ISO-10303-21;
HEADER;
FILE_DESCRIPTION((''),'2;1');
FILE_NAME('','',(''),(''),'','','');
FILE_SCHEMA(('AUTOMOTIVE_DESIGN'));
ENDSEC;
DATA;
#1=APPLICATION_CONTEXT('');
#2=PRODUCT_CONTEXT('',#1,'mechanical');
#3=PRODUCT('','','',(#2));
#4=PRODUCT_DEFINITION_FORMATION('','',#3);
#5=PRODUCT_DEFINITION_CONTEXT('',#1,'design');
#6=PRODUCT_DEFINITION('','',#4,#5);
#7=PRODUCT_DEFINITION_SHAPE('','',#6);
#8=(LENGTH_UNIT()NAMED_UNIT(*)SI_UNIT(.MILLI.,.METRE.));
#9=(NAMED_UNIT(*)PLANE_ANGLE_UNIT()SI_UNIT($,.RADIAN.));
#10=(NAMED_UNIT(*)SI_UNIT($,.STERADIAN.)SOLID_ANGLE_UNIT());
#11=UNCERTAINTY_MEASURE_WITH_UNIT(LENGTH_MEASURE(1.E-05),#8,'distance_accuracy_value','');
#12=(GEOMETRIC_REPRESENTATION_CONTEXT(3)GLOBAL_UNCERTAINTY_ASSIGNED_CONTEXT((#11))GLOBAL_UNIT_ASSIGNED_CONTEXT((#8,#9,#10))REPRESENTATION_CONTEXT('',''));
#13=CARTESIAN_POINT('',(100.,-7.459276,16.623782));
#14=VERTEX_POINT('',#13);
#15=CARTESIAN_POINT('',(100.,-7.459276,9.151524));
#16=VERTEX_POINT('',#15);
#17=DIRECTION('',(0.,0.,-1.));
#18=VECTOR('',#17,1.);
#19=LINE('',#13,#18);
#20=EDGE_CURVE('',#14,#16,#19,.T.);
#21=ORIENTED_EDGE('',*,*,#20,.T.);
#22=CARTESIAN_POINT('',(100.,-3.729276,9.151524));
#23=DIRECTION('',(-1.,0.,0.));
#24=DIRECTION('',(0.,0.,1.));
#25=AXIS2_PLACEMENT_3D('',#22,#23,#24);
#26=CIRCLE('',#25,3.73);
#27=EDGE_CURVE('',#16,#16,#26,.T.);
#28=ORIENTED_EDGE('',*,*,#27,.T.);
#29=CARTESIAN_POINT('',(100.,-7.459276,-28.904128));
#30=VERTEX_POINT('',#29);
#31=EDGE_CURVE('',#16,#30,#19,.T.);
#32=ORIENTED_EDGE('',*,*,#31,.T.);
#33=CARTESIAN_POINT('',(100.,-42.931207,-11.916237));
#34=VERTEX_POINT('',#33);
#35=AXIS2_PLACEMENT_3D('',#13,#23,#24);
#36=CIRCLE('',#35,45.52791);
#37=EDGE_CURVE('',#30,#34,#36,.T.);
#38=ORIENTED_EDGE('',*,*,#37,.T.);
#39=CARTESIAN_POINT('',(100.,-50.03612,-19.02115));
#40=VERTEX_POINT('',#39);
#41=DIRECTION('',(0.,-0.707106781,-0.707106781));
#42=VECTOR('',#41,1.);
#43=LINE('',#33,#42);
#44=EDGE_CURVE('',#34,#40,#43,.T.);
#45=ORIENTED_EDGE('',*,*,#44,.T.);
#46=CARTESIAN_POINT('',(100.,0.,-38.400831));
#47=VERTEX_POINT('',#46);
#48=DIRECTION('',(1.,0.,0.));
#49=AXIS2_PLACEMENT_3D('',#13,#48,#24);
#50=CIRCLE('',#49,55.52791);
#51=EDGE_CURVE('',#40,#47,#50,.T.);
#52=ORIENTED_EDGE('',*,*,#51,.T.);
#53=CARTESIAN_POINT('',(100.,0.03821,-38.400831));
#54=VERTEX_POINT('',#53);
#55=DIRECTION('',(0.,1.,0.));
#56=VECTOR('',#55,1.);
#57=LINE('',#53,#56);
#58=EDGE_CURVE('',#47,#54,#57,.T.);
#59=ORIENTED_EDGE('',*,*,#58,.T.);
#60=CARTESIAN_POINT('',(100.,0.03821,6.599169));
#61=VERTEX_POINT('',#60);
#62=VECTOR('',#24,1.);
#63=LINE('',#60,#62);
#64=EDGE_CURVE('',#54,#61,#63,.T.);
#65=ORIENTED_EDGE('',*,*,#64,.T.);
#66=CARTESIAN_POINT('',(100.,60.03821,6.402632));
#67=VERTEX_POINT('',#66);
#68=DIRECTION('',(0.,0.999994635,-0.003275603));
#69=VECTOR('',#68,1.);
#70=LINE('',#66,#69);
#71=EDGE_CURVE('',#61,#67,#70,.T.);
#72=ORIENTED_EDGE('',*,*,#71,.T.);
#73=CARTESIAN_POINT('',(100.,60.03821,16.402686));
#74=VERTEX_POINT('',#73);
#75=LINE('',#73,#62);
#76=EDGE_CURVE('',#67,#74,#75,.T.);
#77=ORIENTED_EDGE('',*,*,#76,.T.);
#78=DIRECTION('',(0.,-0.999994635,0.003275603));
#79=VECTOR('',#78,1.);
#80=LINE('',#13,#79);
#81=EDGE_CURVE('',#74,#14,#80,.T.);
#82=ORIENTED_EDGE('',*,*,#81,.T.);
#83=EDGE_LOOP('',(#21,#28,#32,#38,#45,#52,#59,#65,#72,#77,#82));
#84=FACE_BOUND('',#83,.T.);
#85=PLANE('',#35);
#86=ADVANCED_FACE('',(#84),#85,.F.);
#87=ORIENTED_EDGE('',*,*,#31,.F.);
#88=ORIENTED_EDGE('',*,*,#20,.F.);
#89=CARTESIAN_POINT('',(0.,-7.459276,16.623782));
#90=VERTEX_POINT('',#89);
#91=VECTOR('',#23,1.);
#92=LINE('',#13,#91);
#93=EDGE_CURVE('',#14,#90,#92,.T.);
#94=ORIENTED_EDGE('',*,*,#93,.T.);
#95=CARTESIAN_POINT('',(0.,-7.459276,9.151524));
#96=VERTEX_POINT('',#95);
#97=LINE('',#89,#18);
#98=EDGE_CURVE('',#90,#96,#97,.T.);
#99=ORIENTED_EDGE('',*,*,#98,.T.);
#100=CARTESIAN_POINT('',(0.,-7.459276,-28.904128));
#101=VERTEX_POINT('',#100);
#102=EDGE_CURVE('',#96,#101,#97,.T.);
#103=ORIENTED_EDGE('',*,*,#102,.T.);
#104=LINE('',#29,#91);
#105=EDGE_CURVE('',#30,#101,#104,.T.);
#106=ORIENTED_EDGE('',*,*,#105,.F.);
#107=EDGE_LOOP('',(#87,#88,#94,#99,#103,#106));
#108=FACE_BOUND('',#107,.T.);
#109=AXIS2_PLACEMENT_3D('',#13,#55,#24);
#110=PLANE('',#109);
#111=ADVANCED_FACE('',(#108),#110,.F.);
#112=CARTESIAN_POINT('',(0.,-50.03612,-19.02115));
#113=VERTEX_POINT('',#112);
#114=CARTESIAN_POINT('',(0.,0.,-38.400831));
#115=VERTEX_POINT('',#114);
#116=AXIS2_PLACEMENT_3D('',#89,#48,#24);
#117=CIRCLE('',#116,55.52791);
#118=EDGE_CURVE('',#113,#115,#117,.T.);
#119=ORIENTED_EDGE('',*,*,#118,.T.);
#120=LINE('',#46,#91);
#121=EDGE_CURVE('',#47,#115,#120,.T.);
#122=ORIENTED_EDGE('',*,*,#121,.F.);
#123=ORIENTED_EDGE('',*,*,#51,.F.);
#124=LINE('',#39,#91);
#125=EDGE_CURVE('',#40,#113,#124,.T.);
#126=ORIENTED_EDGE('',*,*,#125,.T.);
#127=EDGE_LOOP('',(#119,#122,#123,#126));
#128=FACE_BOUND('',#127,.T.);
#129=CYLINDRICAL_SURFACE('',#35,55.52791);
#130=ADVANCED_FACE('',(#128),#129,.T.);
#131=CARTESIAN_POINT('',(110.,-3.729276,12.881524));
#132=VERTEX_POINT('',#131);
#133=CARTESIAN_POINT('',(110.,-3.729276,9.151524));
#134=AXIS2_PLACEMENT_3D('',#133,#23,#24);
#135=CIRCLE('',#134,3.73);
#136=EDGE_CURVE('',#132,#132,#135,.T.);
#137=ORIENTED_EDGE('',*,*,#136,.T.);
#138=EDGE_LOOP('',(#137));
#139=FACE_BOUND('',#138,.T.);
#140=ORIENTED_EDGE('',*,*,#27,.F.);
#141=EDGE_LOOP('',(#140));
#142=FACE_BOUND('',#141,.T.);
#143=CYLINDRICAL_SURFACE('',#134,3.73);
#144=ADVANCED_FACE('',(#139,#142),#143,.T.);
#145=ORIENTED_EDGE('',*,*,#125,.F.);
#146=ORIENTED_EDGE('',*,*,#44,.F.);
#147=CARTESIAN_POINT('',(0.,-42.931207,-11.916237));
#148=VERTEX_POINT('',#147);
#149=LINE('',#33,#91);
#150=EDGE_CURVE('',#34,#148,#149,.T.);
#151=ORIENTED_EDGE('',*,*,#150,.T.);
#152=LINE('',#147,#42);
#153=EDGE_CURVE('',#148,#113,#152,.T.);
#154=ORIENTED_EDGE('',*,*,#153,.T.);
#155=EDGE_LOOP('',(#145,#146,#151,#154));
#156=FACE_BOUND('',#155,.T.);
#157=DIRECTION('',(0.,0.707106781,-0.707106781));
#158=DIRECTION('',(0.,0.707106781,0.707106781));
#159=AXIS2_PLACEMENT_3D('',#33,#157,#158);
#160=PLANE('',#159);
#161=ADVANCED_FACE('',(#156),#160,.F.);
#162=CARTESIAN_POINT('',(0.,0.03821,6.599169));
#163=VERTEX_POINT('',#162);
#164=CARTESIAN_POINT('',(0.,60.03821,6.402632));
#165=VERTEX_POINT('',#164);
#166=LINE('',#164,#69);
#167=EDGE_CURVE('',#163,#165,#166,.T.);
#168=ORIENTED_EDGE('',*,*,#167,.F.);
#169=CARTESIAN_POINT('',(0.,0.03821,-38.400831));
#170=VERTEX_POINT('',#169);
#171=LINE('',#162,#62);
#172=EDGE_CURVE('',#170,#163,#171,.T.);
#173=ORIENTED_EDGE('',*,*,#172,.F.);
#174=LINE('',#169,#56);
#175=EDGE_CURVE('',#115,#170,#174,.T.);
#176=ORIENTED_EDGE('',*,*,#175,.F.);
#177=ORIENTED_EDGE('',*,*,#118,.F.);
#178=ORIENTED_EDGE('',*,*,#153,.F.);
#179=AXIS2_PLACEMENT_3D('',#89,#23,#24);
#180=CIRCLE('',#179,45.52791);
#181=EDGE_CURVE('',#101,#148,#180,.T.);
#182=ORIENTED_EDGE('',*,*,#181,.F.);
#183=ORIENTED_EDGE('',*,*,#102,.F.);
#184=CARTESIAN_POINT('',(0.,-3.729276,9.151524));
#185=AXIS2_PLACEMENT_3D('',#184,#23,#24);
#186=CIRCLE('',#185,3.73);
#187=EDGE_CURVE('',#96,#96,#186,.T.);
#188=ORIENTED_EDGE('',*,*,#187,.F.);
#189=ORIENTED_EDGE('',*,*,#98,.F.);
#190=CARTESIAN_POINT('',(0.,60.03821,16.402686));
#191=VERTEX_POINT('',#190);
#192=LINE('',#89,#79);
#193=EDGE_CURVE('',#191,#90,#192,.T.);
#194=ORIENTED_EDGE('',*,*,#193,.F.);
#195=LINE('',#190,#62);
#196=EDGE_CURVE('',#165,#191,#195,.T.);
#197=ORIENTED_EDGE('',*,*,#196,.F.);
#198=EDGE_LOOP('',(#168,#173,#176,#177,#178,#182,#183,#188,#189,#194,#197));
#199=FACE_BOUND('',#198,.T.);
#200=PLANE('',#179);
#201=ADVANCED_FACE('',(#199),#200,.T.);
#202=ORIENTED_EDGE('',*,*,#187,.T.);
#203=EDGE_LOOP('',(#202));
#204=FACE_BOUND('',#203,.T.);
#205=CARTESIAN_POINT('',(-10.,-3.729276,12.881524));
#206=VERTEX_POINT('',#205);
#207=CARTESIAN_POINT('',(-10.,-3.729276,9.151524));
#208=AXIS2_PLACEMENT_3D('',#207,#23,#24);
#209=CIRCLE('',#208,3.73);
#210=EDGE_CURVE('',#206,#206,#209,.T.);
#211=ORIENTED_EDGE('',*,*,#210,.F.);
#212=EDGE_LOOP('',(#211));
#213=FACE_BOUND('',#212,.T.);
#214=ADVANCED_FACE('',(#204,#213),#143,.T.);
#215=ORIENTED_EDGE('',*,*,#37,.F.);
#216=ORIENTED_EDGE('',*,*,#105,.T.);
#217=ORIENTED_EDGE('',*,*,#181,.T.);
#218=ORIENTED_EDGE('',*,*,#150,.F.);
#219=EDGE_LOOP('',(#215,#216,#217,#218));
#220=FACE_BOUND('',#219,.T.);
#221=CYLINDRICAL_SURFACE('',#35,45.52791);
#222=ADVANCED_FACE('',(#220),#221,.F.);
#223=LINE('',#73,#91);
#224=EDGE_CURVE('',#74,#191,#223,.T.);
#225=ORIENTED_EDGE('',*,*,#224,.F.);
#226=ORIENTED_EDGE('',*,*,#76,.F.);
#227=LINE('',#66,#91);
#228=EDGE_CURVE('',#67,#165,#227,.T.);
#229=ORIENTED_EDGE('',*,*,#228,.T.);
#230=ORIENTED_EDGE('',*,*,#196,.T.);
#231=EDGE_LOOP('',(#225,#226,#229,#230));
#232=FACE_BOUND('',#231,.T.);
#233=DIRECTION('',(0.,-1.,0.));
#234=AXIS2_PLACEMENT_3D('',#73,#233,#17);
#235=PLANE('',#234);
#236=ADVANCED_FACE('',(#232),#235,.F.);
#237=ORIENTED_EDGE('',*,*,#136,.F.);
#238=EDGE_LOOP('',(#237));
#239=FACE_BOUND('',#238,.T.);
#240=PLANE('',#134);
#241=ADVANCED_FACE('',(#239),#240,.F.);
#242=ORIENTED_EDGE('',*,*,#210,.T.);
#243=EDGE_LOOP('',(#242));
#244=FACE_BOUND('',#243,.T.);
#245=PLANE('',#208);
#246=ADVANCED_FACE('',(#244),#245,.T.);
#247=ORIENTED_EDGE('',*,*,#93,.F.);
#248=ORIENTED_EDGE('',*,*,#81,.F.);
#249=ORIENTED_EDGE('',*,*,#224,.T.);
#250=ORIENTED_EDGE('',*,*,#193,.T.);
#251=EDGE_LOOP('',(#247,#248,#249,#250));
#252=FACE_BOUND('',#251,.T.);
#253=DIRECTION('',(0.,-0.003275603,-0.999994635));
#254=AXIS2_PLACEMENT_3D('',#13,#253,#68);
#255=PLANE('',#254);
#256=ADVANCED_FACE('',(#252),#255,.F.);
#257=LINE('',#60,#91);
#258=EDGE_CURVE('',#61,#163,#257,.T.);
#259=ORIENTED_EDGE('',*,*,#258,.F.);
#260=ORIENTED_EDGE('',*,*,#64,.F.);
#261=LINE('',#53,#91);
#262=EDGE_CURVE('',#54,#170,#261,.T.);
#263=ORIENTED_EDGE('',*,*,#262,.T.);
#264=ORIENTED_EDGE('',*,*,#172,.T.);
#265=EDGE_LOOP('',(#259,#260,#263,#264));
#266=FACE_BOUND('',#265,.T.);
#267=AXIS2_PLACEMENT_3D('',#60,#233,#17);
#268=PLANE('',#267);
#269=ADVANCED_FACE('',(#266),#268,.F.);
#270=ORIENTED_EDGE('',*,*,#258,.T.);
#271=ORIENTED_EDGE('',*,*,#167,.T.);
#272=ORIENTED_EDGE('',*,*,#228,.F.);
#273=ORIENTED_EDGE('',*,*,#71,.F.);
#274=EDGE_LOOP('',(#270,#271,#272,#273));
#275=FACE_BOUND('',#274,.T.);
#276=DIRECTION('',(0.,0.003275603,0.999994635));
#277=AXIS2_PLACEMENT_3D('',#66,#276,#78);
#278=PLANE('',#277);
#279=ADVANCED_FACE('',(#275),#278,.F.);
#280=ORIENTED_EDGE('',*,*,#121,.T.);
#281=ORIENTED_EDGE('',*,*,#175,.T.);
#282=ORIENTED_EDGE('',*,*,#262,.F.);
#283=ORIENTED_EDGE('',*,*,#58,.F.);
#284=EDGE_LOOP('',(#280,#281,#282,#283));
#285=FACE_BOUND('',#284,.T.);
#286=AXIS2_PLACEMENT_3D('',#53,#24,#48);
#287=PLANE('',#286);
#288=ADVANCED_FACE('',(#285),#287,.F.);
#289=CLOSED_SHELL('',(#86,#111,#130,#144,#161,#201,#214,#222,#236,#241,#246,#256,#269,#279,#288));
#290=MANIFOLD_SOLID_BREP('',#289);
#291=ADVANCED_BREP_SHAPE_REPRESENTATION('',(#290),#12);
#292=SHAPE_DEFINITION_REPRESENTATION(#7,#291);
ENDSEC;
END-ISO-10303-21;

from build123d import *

# Parameters (mm, degrees)
BOSS_EXTRU_1_DEPTH      = 100
ESQUISSE3_R             = 3.73
BOSS_EXTRU_2_DEPTH      = 10
BOSS_EXTRU_2_DEPTH_BACK = 110


with BuildPart() as part:
    # Esquisse1 → Boss.-Extru.1 (new body)
    with BuildSketch(Plane(origin=(0, 0, 0), x_dir=(0, 0, -1), z_dir=(1, 0, 0))):
        with BuildLine():
            Line((11.916237197, -42.931206961), (19.021149864, -50.036119628))
            ThreePointArc((19.021149864, -50.036119628), (35.155991103, -27.514297721), (38.400830806, 0))
            Line((38.400830806, 0), (38.400830806, 0.038210025))
            Line((38.400830806, 0.038210025), (-6.599169194, 0.038210025))
            Line((-6.599169194, 0.038210025), (-6.402631947, 60.038210025))
            Line((-6.402631947, 60.038210025), (-16.402685595, 60.038210025))
            Line((-16.402685595, 60.038210025), (-16.623781762, -7.459275773))
            Line((-16.623781762, -7.459275773), (28.904128187, -7.459275773))
            ThreePointArc((28.904128187, -7.459275773), (24.438110532, -27.124259516), (11.916237197, -42.931206961))
        make_face()
    extrude(amount=BOSS_EXTRU_1_DEPTH)

    # Esquisse3 → Boss.-Extru.2 (add, two sides)
    with BuildSketch(Plane.ZY) as boss_extru_2_sk:
        with Locations((9.151523675, -3.729275773)):
            Circle(ESQUISSE3_R)
    extrude(amount=BOSS_EXTRU_2_DEPTH)
    extrude(boss_extru_2_sk.sketch, amount=-BOSS_EXTRU_2_DEPTH_BACK)


solid = part.part
